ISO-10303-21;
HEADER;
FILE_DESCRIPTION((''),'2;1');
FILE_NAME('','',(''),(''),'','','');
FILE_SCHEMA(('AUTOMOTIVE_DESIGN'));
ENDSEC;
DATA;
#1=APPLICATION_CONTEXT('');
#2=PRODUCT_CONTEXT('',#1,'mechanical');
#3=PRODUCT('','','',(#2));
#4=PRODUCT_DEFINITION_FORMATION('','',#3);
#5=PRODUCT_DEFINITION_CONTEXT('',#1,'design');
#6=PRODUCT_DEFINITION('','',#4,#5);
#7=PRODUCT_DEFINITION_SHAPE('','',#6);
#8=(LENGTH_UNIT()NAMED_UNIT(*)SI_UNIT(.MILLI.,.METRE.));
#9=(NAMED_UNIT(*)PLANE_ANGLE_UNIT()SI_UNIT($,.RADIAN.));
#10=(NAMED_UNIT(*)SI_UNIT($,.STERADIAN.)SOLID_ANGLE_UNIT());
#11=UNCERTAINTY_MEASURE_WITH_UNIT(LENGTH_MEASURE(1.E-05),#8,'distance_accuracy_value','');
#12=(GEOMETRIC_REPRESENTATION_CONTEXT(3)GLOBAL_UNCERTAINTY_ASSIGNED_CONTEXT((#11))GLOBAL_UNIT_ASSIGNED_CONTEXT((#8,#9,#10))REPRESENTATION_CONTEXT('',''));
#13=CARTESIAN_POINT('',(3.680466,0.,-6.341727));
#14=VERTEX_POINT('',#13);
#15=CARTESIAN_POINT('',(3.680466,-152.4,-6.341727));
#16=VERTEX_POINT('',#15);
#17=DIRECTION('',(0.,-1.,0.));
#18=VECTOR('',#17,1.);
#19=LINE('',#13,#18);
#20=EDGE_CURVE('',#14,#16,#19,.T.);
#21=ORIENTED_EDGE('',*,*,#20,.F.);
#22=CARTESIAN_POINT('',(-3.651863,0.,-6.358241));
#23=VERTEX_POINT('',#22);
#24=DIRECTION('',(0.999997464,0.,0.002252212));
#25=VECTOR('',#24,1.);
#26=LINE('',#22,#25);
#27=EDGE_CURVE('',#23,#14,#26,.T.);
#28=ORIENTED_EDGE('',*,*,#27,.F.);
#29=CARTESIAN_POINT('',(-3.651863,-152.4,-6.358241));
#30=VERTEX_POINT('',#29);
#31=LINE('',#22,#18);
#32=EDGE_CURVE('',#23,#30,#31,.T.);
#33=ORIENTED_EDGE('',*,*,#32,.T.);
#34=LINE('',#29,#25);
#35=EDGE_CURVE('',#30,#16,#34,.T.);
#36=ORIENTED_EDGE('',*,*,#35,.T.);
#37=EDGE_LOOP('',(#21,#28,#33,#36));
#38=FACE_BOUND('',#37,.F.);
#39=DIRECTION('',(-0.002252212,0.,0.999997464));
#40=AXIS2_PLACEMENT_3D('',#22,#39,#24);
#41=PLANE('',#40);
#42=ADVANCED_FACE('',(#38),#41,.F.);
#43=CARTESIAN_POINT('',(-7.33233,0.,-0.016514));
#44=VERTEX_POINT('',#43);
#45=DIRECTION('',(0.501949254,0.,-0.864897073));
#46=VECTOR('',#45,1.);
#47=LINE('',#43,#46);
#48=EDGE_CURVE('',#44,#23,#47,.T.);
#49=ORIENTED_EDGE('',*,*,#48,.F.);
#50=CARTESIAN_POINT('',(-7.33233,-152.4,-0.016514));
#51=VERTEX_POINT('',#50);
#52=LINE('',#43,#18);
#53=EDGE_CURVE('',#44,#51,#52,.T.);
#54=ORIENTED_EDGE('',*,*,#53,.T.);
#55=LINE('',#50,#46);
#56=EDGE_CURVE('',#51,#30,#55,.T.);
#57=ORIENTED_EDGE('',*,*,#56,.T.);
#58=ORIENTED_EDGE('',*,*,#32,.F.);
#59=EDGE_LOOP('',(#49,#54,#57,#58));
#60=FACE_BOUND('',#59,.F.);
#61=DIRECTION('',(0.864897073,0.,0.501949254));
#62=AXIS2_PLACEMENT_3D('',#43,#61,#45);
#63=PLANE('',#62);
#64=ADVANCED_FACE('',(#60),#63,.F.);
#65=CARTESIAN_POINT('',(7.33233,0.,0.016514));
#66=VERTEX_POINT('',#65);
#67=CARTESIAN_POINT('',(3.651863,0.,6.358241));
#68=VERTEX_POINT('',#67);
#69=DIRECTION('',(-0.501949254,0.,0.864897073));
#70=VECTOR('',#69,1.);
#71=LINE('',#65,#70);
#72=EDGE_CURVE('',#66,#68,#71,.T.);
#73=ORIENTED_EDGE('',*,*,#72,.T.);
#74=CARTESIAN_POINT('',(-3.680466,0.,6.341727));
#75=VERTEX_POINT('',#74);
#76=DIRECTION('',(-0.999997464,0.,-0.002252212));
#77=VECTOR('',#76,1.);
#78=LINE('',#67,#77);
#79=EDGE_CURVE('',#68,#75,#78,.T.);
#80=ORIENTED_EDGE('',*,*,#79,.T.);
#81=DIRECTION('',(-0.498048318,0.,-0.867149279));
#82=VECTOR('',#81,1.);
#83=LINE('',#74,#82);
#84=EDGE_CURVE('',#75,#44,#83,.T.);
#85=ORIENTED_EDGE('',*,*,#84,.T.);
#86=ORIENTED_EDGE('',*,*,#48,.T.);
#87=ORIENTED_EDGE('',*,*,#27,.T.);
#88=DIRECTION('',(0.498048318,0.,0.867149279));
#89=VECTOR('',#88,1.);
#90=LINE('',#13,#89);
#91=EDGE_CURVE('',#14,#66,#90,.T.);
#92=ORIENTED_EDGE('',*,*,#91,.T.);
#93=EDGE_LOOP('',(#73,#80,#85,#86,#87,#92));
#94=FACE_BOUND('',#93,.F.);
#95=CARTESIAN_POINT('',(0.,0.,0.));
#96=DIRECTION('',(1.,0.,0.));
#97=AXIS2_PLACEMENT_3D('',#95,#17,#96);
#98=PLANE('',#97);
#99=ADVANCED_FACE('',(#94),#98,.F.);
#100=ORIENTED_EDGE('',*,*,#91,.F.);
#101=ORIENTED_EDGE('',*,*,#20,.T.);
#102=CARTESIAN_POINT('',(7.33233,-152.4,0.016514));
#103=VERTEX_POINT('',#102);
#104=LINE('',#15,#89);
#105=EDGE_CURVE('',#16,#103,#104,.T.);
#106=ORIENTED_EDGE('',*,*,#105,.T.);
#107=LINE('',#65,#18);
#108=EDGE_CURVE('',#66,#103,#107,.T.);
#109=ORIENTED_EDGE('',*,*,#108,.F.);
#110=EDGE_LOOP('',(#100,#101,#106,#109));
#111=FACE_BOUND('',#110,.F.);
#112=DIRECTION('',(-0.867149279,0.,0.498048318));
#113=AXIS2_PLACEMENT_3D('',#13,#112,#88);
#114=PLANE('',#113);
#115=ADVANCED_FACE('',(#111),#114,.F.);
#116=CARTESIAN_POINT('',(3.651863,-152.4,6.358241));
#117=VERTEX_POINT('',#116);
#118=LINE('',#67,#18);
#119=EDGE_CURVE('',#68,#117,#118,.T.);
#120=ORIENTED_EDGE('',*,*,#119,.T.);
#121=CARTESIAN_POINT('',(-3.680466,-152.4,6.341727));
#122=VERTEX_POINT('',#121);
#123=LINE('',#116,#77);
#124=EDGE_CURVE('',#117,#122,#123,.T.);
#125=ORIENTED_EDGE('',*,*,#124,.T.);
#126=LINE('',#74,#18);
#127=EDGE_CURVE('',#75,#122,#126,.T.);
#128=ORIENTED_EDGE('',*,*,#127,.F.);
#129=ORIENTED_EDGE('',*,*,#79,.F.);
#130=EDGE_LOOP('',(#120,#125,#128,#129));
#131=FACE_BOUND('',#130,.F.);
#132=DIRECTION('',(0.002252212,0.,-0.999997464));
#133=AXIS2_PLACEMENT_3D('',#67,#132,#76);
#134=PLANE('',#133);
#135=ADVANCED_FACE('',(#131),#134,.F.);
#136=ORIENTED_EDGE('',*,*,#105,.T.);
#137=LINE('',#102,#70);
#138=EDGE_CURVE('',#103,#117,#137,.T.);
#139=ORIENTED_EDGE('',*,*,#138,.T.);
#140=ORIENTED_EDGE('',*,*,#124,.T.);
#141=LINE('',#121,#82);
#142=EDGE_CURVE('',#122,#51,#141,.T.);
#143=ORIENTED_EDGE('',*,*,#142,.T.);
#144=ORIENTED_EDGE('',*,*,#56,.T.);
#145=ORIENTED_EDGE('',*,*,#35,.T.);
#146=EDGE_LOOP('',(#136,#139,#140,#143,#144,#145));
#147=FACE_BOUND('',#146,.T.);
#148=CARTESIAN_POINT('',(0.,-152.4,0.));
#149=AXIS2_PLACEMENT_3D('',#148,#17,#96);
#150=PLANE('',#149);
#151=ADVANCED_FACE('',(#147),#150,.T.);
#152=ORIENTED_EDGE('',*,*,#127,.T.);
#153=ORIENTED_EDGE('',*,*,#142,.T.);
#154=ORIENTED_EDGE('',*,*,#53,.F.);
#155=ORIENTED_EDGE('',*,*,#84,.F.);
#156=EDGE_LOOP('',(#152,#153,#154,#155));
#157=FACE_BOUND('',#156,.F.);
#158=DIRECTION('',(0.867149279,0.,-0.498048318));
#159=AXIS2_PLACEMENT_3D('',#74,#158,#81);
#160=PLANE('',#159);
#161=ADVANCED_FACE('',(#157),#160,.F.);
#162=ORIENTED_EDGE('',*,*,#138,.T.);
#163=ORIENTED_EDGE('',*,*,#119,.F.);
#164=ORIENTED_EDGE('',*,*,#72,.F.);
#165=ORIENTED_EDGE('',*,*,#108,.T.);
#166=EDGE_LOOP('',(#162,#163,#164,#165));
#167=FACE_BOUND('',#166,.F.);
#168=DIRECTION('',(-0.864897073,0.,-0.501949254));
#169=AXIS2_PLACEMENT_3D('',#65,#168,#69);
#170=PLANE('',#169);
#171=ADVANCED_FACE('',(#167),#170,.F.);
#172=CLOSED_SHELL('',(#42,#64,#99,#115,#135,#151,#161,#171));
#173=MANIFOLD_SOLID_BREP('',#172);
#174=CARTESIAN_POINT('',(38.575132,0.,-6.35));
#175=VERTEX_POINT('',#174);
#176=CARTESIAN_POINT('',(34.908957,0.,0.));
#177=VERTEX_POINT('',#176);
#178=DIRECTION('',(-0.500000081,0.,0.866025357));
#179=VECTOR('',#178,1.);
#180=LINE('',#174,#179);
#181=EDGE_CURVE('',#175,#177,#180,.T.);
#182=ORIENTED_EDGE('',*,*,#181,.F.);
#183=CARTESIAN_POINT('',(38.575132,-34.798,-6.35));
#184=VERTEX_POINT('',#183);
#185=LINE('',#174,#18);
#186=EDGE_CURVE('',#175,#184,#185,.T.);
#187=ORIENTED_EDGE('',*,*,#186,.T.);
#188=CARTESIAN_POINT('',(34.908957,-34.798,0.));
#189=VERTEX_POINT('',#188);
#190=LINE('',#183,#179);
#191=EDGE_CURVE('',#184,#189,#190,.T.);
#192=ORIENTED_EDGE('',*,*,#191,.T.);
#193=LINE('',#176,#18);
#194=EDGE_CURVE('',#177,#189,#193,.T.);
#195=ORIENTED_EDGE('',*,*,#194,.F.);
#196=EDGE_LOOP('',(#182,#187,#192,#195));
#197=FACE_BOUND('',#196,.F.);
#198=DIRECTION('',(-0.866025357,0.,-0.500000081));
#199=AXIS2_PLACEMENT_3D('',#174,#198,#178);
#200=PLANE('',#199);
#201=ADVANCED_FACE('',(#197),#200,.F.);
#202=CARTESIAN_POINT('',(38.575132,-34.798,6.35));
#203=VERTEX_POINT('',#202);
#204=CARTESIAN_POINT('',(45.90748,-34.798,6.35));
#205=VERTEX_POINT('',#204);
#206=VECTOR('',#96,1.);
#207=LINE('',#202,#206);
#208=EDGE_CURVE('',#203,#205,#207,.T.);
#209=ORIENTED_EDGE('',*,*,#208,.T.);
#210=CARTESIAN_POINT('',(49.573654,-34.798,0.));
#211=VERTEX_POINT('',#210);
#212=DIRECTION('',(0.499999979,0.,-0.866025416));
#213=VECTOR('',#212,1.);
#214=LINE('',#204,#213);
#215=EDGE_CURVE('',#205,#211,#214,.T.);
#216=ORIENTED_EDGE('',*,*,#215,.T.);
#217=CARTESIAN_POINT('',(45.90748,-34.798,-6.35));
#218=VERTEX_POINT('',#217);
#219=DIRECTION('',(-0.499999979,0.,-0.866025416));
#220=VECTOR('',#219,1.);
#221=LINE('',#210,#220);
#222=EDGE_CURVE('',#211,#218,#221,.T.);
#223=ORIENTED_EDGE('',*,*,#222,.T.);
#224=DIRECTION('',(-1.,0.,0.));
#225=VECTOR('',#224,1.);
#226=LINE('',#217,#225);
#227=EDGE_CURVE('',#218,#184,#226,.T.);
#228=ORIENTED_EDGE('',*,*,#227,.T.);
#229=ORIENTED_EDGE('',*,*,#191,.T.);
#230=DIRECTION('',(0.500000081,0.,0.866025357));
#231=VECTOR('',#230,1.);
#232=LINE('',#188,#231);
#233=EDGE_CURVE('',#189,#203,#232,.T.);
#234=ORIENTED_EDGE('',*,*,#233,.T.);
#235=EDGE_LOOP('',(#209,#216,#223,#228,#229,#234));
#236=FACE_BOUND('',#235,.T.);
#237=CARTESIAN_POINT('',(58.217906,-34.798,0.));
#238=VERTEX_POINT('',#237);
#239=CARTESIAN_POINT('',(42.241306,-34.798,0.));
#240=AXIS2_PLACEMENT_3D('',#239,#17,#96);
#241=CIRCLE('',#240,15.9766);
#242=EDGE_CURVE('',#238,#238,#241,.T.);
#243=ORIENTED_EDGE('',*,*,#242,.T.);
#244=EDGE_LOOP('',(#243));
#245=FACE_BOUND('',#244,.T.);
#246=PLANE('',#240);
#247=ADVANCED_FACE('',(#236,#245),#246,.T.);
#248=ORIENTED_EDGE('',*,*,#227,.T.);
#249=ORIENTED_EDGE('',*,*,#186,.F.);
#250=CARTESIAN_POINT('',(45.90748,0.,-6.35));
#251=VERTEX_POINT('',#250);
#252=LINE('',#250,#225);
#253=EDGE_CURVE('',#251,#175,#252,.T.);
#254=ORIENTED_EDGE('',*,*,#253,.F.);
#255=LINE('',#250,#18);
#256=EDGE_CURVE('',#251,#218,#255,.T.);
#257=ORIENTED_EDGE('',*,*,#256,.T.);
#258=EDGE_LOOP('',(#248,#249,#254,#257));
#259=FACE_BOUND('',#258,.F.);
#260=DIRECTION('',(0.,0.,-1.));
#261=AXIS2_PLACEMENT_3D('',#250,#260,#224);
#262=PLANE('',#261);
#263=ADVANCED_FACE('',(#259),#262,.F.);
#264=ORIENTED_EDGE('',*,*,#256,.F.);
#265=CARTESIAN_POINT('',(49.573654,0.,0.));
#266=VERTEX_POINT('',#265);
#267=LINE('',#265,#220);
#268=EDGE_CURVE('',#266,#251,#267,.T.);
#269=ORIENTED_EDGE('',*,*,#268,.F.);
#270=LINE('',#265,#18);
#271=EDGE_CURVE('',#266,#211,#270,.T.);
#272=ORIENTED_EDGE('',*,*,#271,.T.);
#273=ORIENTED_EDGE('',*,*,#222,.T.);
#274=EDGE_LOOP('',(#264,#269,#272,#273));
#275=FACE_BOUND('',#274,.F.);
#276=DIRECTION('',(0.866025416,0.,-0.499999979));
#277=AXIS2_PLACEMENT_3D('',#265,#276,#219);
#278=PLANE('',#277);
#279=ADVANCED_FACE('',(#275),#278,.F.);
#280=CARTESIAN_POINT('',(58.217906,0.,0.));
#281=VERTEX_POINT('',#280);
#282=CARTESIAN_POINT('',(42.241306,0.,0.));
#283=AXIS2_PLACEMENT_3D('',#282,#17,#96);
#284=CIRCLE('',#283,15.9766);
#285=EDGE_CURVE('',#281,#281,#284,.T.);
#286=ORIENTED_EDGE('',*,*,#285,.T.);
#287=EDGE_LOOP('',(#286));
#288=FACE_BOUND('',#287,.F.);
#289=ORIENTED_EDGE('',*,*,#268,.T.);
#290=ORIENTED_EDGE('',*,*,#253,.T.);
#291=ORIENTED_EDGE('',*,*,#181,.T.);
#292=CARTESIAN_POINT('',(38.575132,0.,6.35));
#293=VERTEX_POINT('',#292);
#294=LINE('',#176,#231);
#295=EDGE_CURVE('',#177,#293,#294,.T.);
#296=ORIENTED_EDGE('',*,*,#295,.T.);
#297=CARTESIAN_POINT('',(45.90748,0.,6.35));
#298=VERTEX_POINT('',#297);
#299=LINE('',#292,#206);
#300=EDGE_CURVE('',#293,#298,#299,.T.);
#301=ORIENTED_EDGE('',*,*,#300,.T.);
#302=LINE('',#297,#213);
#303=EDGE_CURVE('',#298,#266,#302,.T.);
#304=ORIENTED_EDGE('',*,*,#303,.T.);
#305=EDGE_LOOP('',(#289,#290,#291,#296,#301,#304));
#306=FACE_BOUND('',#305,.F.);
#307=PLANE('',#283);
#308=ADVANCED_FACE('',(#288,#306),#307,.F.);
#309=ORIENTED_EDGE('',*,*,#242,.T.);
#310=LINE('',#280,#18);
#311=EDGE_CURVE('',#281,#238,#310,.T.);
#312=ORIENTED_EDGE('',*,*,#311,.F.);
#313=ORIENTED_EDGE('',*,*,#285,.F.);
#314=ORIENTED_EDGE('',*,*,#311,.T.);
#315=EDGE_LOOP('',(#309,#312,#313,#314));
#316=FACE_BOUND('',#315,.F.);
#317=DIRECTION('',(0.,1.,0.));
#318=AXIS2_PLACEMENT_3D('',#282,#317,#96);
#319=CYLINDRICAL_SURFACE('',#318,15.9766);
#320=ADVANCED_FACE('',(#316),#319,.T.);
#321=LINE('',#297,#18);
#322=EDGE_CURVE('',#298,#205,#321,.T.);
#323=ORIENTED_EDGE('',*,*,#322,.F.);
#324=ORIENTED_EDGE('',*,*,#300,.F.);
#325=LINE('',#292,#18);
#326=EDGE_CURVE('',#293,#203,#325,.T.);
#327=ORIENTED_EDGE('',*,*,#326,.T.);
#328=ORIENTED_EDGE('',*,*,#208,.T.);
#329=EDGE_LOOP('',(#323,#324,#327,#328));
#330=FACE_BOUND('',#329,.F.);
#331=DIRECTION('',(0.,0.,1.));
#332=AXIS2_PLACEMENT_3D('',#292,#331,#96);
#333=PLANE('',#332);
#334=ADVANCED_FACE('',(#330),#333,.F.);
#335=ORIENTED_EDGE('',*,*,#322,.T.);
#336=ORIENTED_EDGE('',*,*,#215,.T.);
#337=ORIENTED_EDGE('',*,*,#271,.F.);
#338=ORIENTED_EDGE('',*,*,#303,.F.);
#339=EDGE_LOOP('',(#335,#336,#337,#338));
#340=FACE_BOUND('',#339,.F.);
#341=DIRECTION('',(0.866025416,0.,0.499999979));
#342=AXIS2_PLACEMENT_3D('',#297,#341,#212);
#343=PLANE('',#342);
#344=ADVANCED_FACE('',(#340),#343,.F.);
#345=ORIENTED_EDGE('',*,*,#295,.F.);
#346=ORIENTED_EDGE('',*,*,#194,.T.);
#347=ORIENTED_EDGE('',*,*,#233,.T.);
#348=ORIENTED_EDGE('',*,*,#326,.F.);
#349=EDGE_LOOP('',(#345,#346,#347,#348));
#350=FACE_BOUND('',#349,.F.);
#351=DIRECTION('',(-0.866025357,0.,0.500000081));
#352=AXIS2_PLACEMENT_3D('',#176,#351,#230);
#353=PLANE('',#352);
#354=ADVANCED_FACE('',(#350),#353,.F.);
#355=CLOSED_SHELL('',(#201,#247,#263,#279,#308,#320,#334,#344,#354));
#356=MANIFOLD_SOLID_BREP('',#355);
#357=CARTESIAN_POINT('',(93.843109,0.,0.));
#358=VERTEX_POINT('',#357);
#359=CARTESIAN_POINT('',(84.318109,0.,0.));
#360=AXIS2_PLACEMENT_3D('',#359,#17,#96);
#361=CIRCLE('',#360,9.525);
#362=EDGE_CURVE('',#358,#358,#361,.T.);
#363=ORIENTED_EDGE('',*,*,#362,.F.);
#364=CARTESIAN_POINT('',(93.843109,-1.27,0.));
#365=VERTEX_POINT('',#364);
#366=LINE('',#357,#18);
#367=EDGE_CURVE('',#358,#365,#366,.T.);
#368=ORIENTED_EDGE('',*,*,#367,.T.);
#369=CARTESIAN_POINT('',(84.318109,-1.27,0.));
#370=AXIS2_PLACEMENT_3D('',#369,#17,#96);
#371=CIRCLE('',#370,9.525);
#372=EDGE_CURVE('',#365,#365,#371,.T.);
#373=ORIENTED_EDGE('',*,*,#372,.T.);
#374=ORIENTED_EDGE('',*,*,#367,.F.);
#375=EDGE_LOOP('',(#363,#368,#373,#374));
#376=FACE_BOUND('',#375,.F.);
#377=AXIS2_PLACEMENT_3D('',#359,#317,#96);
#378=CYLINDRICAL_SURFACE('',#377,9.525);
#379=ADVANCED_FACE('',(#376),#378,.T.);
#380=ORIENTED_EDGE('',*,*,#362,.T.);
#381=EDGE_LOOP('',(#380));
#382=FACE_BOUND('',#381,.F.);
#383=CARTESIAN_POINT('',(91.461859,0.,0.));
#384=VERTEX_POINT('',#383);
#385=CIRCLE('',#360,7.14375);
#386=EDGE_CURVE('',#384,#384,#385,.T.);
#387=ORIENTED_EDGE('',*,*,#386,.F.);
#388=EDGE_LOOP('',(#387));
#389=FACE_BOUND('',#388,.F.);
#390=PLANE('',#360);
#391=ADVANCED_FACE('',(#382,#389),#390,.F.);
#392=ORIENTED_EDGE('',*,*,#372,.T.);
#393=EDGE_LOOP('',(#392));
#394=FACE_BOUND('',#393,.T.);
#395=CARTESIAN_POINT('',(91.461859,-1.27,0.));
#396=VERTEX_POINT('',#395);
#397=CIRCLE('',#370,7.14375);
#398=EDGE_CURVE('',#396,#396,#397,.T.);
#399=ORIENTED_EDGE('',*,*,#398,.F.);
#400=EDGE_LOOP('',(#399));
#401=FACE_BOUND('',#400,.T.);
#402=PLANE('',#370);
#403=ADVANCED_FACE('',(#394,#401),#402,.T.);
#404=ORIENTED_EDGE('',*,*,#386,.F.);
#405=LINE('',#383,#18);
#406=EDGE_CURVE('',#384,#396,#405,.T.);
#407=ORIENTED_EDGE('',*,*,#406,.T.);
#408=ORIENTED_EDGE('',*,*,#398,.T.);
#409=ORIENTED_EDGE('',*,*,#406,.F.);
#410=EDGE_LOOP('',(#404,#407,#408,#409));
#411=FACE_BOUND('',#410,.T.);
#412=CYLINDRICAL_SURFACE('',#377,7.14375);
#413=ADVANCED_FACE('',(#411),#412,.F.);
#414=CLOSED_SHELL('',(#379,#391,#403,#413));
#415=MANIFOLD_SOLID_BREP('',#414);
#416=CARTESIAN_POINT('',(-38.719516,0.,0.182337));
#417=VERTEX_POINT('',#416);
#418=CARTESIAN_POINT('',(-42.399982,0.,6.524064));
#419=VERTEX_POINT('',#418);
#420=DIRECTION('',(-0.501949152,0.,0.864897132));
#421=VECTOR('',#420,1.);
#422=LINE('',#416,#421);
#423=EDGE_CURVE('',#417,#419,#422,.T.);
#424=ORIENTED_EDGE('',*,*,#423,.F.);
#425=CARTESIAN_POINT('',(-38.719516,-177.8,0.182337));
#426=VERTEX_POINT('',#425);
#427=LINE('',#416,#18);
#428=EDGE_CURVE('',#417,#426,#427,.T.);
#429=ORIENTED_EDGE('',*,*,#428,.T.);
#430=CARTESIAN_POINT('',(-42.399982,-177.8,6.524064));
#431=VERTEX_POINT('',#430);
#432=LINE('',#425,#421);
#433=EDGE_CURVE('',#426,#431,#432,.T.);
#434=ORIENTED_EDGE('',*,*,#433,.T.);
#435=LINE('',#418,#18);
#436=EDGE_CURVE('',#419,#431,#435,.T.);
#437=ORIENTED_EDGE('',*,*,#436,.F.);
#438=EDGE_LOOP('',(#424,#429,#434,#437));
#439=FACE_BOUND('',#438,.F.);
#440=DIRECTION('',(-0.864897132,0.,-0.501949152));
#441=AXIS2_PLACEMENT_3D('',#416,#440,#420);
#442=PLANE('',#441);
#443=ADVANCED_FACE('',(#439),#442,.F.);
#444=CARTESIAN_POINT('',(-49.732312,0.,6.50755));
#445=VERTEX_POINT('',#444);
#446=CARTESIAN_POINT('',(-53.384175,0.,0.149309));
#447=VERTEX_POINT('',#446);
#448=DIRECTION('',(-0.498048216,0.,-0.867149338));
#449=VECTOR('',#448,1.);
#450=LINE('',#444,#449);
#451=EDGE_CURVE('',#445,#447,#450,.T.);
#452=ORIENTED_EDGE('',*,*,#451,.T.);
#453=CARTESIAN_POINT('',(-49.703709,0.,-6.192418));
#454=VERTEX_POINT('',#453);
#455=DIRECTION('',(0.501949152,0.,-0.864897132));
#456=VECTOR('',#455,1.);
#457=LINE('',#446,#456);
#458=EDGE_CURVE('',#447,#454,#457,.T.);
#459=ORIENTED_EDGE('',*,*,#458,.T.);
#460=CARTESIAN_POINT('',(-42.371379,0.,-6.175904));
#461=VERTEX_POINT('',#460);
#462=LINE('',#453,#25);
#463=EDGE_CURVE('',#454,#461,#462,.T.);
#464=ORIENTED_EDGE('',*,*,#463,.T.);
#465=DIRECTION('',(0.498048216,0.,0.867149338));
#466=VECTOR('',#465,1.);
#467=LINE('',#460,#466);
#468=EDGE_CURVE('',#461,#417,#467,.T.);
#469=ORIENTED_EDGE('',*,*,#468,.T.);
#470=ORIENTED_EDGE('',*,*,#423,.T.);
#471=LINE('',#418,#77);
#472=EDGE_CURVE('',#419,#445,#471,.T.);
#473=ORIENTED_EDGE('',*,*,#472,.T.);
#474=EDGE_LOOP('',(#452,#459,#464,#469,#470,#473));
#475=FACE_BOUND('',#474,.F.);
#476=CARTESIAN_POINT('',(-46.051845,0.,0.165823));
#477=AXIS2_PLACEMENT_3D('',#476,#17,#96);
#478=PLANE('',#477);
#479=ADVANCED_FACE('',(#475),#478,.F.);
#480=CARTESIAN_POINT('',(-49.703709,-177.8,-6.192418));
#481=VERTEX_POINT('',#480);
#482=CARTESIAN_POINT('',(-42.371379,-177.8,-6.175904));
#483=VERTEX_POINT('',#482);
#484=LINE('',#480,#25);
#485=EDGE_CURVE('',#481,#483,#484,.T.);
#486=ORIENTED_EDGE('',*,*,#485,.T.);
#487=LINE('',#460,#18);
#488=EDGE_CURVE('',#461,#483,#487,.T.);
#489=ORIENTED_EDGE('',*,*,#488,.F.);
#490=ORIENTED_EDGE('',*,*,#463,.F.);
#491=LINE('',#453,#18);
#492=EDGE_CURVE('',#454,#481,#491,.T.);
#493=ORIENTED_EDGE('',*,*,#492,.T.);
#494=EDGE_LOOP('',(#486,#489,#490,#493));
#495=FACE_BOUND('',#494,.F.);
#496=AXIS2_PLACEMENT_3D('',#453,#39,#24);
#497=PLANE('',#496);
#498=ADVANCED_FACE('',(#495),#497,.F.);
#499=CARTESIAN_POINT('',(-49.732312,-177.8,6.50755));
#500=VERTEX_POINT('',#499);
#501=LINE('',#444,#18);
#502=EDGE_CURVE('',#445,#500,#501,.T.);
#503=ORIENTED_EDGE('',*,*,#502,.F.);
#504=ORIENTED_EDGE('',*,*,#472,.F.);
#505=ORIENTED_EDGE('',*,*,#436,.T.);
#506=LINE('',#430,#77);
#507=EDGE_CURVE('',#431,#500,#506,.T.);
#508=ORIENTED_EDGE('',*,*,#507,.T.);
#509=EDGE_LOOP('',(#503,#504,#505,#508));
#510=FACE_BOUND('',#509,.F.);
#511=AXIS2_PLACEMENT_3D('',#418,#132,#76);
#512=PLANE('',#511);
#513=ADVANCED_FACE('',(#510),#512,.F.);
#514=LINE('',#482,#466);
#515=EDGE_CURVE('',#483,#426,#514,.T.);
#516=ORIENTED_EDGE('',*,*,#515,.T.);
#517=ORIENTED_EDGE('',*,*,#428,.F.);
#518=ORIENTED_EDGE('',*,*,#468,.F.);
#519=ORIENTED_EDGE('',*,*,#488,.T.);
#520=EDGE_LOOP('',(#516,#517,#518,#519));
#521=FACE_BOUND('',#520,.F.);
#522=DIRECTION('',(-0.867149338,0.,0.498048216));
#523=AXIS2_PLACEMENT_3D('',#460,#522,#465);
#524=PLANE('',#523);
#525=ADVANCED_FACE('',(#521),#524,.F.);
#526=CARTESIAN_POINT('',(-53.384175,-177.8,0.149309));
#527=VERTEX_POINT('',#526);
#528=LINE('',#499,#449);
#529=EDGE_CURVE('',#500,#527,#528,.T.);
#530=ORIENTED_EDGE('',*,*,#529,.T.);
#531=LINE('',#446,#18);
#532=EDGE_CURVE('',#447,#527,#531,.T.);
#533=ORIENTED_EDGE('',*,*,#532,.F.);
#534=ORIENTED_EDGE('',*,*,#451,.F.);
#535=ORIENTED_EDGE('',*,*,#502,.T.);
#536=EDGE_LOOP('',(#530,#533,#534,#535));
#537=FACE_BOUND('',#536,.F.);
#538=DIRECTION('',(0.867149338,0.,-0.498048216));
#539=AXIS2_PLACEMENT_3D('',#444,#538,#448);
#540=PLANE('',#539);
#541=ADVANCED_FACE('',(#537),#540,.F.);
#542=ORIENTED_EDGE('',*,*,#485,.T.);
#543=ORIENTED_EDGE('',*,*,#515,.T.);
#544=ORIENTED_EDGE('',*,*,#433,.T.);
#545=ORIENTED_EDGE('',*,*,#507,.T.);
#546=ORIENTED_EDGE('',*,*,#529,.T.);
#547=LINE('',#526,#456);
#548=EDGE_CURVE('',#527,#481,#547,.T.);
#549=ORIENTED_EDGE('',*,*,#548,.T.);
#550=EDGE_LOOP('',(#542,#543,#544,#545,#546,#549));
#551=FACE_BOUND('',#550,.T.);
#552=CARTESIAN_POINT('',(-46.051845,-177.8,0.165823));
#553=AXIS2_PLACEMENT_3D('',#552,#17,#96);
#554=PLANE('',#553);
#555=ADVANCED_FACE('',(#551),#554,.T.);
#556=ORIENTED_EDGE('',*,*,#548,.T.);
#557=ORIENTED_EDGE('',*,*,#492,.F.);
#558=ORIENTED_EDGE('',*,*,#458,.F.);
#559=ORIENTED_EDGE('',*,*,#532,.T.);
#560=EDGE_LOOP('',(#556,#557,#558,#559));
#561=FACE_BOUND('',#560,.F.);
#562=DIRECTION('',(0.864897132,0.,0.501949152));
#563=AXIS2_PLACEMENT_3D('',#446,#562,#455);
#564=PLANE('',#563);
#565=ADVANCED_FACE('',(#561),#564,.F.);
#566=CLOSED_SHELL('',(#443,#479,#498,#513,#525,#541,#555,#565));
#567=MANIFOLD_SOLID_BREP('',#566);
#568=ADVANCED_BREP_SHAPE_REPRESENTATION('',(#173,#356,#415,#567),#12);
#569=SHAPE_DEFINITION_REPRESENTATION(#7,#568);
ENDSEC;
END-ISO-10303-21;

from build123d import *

# Parameters (mm, degrees)
F1_DEPTH = 152.4
F2_DEPTH = 177.8
F3_R     = 15.9766
F4_DEPTH = 34.798
F5_R     = 9.525
F5_R_2   = 7.14375
F6_DEPTH = 1.27


with BuildPart() as f1:
    # F0 (on Front) → F1 (new body)
    with BuildSketch(Plane.XZ):
        Polygon((7.33233, 0.016514), (3.651863, 6.358241), (-3.680466, 6.341727), (-7.33233, -0.016514), (-3.651863, -6.358241), (3.680466, -6.341727), align=None)
    extrude(amount=F1_DEPTH)


with BuildPart() as f2:
    # F0 (on Front) → F2 (new body)
    with BuildSketch(Plane.XZ):
        Polygon((-38.719516, 0.182337), (-42.399982, 6.524064), (-49.732312, 6.50755), (-53.384175, 0.149309), (-49.703709, -6.192418), (-42.371379, -6.175904), align=None)
    extrude(amount=F2_DEPTH)


with BuildPart() as f4:
    # F3 (on Front) → F4 (new body)
    with BuildSketch(Plane.XZ):
        with Locations((42.241306, 0)):
            Circle(F3_R)
        Polygon((34.908957, 0), (38.575132, 6.35), (45.90748, 6.35), (49.573654, 0), (45.90748, -6.35), (38.575132, -6.35), align=None, mode=Mode.SUBTRACT)
    extrude(amount=F4_DEPTH)


with BuildPart() as f6:
    # F5 (on Front) → F6 (new body)
    with BuildSketch(Plane.XZ):
        with Locations((84.318109, 0)):
            Circle(F5_R)
        with Locations((84.318109, 0)):
            Circle(F5_R_2, mode=Mode.SUBTRACT)
    extrude(amount=F6_DEPTH)


solid = Compound([f1.part, f2.part, f4.part, f6.part])
